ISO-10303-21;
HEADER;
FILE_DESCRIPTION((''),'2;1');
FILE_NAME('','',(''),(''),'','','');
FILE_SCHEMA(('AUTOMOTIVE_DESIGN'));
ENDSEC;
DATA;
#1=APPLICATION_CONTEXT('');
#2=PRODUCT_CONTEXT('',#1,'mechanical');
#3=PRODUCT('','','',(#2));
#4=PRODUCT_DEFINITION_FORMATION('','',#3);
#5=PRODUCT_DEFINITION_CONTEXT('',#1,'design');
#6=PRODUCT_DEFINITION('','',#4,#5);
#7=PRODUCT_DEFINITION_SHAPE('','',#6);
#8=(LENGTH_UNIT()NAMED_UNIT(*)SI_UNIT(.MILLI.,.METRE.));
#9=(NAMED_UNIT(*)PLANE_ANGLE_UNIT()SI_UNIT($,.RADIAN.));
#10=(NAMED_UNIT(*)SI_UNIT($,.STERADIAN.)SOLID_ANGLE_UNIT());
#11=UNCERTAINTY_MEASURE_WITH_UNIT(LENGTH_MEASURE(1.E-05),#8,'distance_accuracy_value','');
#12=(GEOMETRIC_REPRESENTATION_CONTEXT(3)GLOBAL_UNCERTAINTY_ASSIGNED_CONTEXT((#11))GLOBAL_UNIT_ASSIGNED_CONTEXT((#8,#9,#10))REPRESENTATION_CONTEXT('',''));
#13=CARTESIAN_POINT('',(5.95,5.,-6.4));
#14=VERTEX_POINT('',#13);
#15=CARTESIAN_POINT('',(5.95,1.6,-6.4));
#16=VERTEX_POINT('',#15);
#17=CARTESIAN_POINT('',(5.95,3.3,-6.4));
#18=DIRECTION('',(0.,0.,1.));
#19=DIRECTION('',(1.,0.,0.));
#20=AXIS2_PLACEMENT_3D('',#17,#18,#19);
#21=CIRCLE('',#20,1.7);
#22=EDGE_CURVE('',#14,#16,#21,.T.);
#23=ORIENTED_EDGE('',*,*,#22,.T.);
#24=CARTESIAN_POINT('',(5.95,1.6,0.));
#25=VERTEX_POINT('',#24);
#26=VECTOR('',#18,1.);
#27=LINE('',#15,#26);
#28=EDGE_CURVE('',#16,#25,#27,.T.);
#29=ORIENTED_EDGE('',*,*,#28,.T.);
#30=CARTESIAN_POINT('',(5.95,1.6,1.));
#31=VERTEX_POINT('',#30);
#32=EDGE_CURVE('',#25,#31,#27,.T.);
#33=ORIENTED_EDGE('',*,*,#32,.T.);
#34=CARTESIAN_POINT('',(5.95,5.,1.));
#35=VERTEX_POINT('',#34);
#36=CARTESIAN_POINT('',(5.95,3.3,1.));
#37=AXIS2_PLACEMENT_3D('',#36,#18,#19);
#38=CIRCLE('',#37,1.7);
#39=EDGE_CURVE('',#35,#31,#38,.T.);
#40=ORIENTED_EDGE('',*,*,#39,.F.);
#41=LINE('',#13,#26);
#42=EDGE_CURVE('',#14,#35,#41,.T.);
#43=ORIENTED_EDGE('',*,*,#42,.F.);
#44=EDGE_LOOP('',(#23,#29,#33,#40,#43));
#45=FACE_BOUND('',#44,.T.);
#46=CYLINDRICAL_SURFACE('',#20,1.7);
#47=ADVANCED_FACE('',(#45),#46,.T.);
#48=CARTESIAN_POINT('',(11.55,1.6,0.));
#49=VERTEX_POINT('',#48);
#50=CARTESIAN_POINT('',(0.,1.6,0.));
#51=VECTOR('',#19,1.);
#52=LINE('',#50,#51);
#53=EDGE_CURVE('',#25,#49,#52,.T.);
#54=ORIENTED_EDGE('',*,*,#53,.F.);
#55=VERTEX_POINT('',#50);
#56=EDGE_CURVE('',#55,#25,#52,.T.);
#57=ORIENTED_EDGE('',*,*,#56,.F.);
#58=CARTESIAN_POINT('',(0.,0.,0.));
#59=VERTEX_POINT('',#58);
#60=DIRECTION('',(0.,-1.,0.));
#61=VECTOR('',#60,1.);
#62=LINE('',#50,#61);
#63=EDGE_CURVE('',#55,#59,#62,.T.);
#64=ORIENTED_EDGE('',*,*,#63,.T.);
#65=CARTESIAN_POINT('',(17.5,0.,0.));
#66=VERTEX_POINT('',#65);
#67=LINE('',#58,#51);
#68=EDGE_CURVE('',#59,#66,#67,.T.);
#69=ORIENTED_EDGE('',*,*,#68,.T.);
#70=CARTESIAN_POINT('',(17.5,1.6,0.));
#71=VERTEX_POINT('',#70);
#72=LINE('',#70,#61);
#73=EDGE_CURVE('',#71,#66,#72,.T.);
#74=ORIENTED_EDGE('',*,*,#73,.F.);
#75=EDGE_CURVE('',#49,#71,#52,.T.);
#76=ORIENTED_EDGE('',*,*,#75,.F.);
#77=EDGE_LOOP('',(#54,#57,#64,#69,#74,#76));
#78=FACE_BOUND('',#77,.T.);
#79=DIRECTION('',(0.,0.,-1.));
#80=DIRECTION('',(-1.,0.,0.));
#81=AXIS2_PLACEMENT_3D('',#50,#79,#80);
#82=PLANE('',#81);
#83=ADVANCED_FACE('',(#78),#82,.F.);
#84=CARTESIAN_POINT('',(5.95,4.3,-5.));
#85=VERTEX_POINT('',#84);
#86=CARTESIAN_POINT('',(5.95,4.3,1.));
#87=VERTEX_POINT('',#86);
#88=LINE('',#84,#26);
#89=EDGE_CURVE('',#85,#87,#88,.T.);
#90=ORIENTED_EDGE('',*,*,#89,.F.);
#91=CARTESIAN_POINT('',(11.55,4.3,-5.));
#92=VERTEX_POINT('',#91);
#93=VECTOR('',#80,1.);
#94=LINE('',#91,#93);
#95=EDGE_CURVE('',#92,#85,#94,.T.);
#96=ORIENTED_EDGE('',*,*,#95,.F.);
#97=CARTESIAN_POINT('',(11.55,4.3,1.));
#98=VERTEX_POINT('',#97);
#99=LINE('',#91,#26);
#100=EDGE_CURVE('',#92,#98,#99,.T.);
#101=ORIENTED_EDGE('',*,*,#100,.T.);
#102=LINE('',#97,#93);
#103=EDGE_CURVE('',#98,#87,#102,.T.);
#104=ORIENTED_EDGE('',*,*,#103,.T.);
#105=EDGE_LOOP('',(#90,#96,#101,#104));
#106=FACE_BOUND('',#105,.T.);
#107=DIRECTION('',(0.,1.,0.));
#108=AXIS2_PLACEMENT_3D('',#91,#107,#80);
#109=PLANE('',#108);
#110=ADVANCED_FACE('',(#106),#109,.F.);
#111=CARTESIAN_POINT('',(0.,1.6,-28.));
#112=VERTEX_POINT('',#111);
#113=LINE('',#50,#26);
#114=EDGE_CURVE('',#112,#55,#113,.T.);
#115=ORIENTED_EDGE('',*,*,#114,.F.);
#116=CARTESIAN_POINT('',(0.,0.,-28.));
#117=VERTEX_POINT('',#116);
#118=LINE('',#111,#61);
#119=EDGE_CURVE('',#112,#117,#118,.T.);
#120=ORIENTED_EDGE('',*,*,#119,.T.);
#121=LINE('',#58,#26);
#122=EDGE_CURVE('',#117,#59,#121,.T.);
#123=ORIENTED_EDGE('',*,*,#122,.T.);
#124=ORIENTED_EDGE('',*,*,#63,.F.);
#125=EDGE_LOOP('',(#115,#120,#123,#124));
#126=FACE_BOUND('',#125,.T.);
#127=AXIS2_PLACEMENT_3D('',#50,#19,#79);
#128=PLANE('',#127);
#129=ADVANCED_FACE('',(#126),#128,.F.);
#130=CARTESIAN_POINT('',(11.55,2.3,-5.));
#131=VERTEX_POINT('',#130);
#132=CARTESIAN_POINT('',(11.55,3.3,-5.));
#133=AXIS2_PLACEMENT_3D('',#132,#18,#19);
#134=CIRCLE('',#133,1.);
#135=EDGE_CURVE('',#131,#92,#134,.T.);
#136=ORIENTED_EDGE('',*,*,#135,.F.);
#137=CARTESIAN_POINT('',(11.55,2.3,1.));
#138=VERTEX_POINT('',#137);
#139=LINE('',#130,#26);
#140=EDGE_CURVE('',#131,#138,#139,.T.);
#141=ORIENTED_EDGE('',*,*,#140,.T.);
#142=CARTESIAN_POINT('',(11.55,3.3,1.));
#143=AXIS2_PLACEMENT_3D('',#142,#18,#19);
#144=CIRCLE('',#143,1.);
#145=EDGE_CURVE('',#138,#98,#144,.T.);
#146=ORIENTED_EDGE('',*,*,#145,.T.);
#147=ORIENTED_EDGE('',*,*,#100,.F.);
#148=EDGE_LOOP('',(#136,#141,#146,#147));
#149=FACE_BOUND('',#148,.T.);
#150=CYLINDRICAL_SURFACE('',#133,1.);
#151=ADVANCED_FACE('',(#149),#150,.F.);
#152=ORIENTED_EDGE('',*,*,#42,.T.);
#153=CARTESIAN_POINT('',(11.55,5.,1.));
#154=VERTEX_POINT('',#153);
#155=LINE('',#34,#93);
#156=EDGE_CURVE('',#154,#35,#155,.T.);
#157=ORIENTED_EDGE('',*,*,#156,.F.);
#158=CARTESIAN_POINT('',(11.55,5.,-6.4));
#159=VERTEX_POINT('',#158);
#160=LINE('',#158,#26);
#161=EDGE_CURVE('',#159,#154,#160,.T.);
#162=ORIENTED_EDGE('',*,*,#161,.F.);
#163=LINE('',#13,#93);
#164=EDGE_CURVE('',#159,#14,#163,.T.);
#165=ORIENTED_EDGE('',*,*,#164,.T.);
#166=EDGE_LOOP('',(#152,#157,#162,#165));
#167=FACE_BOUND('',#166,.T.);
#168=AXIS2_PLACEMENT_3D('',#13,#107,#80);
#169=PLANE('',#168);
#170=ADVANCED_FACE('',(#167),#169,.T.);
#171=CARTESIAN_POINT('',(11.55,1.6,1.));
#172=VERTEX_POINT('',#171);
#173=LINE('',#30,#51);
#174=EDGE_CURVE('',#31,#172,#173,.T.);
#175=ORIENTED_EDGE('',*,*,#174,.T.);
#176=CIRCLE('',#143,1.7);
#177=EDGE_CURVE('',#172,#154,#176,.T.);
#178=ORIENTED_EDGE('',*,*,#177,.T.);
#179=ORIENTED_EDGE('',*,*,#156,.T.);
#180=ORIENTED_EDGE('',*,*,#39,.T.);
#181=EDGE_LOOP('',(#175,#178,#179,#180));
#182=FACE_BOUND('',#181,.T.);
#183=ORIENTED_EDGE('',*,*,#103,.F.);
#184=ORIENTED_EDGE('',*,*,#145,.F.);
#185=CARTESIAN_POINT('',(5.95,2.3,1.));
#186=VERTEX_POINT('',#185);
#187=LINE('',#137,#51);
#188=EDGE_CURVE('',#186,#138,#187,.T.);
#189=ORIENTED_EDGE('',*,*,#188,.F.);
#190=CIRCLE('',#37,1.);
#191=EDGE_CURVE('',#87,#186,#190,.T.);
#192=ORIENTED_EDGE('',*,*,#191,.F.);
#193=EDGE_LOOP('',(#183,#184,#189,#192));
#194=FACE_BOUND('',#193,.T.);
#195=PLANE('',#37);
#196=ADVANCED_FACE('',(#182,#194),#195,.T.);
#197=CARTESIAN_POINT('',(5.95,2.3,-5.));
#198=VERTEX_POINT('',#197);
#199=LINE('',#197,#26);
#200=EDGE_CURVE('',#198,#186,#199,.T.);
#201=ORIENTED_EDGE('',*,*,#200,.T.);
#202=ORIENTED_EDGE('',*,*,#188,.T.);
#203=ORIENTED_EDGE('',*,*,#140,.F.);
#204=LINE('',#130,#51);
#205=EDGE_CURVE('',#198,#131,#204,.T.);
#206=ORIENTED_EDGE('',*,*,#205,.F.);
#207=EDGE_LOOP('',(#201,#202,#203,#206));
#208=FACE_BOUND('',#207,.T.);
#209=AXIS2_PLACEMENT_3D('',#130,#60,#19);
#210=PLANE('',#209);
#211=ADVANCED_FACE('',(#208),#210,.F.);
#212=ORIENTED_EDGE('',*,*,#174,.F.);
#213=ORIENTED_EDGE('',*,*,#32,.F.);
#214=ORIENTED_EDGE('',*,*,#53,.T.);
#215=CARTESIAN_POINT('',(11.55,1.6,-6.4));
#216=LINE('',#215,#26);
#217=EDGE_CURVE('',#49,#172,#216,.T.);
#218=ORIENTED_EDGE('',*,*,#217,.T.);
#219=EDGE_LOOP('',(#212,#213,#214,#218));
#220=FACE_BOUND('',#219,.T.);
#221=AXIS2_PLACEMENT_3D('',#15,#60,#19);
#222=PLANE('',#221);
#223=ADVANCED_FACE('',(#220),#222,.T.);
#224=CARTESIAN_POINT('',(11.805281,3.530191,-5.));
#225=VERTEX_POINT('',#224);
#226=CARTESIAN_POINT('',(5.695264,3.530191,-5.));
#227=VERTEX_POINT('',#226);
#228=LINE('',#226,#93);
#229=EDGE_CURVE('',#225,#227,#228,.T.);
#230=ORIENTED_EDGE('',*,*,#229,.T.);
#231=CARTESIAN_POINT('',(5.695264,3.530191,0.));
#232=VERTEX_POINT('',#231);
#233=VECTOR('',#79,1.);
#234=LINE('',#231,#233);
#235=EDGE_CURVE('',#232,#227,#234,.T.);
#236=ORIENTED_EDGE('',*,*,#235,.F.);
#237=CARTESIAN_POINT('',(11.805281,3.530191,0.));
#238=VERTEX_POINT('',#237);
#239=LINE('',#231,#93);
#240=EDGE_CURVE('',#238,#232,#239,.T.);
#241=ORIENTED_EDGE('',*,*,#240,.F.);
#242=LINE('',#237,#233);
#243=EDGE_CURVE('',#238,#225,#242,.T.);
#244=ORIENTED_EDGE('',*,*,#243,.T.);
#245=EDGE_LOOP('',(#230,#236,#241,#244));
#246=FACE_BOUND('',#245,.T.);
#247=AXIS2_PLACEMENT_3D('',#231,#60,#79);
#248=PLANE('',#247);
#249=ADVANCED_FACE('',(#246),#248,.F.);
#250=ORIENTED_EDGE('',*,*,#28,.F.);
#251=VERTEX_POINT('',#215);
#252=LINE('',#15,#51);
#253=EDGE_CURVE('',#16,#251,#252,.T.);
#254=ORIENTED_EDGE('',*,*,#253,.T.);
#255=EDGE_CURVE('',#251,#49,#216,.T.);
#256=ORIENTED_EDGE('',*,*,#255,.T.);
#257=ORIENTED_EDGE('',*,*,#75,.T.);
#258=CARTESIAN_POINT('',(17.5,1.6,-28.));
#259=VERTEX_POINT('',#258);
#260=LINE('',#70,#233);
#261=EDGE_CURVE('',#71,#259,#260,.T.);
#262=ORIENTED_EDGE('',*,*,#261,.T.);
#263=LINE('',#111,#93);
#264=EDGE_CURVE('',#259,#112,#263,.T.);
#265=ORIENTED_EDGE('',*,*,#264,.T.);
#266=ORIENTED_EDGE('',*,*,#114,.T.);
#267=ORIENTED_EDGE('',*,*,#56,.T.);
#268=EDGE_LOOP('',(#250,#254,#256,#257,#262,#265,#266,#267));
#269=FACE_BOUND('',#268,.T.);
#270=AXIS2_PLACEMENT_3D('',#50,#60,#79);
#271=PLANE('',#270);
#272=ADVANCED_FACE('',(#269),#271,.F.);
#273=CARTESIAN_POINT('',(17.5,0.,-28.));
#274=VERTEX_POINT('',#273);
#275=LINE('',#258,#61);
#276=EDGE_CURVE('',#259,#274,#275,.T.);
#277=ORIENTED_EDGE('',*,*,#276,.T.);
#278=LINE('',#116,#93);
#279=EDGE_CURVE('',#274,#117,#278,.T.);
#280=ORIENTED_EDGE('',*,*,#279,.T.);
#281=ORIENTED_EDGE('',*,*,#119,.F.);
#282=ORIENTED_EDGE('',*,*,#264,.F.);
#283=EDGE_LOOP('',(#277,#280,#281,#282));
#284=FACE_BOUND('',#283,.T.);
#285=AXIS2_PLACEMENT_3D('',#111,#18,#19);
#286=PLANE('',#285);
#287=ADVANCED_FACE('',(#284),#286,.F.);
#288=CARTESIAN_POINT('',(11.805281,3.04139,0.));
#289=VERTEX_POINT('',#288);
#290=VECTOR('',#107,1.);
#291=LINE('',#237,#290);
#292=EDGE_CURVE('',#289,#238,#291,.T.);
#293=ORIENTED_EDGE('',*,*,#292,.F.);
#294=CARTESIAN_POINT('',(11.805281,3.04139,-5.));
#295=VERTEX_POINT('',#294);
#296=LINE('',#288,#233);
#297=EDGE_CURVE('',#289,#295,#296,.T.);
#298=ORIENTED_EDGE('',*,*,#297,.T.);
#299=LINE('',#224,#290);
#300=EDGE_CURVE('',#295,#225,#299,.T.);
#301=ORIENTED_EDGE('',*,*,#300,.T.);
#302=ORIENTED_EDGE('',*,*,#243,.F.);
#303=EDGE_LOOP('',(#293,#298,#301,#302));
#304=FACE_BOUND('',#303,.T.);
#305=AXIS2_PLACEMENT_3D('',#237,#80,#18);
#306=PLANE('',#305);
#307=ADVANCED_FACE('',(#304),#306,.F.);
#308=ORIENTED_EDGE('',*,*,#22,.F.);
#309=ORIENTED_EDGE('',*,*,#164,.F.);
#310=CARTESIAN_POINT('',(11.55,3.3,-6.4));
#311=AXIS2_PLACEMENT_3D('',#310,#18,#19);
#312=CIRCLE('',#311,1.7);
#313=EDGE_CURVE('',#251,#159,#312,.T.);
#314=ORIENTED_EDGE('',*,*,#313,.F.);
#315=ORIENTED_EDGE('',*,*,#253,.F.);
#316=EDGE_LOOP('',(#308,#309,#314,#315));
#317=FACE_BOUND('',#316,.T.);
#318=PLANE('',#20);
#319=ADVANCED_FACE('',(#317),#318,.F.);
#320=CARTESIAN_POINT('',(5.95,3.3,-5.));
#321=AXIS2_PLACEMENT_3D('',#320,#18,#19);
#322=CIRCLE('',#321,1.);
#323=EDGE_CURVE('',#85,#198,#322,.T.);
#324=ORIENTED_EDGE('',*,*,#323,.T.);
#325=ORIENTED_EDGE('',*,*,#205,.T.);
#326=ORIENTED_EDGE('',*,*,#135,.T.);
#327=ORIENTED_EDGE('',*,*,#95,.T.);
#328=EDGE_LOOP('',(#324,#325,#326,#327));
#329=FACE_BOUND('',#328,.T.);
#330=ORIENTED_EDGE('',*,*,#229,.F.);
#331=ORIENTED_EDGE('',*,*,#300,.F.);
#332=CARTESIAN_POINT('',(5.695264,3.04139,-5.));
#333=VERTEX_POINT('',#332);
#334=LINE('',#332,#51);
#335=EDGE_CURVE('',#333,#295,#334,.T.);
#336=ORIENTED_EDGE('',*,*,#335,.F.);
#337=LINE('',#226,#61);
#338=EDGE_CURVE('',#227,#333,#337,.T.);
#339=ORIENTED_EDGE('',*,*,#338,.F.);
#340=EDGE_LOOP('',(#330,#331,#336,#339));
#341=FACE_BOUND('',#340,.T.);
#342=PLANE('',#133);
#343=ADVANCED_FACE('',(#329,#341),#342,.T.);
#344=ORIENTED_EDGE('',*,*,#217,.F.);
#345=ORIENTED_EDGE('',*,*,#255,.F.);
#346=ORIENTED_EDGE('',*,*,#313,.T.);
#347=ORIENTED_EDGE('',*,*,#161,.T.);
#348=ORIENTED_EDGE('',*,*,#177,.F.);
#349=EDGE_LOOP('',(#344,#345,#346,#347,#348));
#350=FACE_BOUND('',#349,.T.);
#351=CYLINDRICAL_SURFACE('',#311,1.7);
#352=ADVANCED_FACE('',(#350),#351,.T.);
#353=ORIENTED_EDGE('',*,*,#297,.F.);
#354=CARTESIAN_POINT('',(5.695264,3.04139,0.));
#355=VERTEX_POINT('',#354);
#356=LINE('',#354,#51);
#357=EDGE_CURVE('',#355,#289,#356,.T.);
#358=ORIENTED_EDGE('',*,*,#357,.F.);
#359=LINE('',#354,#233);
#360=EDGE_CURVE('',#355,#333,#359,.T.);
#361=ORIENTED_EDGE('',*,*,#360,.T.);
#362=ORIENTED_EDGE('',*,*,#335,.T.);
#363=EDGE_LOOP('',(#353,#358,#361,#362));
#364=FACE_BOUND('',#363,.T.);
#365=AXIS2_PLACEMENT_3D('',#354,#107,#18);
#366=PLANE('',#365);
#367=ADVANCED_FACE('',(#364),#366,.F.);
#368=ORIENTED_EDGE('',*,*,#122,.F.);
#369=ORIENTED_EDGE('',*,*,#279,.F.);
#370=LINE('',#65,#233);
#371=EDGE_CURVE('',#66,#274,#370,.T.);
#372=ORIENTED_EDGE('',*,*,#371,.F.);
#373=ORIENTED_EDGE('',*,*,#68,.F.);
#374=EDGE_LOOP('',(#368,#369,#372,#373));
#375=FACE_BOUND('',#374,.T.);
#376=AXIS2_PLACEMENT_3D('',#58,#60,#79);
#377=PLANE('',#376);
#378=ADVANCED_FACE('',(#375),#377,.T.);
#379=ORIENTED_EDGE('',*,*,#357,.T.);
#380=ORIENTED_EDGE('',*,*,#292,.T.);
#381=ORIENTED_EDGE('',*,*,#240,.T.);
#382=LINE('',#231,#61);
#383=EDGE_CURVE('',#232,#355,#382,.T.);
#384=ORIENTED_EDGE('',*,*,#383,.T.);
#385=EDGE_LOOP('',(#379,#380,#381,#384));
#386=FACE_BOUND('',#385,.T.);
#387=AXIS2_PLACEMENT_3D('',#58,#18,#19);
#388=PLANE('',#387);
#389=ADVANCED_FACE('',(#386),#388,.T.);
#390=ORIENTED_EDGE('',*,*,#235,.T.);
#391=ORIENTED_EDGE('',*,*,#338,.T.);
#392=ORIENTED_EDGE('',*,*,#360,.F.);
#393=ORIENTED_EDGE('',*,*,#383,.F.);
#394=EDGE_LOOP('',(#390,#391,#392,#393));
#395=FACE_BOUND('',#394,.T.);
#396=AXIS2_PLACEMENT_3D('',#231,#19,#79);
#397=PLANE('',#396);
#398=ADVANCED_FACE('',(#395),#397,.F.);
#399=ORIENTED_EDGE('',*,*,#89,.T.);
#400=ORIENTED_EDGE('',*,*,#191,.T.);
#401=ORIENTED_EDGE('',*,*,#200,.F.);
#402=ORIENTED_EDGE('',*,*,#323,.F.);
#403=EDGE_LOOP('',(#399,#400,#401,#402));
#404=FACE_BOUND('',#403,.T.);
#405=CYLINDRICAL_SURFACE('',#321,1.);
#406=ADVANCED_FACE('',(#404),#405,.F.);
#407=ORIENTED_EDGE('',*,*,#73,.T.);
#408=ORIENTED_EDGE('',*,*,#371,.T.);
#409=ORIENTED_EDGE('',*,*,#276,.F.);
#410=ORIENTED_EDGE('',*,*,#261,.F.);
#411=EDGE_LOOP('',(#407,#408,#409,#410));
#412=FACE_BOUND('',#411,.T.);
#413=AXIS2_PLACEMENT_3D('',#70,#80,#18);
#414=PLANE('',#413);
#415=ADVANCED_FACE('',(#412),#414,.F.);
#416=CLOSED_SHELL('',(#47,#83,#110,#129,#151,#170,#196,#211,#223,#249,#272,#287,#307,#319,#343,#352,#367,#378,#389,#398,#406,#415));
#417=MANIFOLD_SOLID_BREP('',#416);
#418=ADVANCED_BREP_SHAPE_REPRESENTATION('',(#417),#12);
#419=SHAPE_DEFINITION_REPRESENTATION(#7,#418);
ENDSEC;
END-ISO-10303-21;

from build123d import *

# Parameters (mm, degrees)
SKETCH1_W                = 17.5
SKETCH1_H                = 28
BOSS_EXTRUDE1_DEPTH      = 1.6
BOSS_EXTRUDE2_DEPTH      = 1
BOSS_EXTRUDE2_DEPTH_BACK = 6.4
CUT_EXTRUDE1_DEPTH       = 6
SKETCH4_W                = 6.110016504
SKETCH4_H                = 0.488801321
BOSS_EXTRUDE3_DEPTH      = 5


with BuildPart() as part:
    # Sketch1 → Boss-Extrude1 (new body)
    with BuildSketch(Plane(origin=(0, 0, 0), x_dir=(1, 0, 0), z_dir=(0, 1, 0))):
        with Locations((8.75, 14)):
            Rectangle(SKETCH1_W, SKETCH1_H)
    extrude(amount=BOSS_EXTRUDE1_DEPTH)

    # Sketch2 → Boss-Extrude2 (add, two sides: drawn at the far end of the back side and taken through both)
    with BuildSketch(Plane.XY.offset(-BOSS_EXTRUDE2_DEPTH_BACK)):
        with BuildLine():
            Line((5.95, 5), (11.55, 5))
            ThreePointArc((11.55, 5), (13.25, 3.3), (11.55, 1.6))
            Line((11.55, 1.6), (5.95, 1.6))
            ThreePointArc((5.95, 1.6), (4.25, 3.3), (5.95, 5))
        make_face()
    extrude(amount=BOSS_EXTRUDE2_DEPTH + BOSS_EXTRUDE2_DEPTH_BACK)

    # Sketch3 → Cut-Extrude1 (cut)
    with BuildSketch(Plane.XY.offset(1)):
        with BuildLine():
            Line((11.55, 2.3), (5.95, 2.3))
            ThreePointArc((5.95, 2.3), (4.95, 3.3), (5.95, 4.3))
            Line((5.95, 4.3), (11.55, 4.3))
            ThreePointArc((11.55, 4.3), (12.55, 3.3), (11.55, 2.3))
        make_face()
    extrude(amount=-CUT_EXTRUDE1_DEPTH, mode=Mode.SUBTRACT)

    # Sketch4 → Boss-Extrude3 (add)
    with BuildSketch(Plane.XY.offset(-5)):
        with Locations((8.750272331, 3.285790187)):
            Rectangle(SKETCH4_W, SKETCH4_H)
    extrude(amount=BOSS_EXTRUDE3_DEPTH)


solid = part.part
